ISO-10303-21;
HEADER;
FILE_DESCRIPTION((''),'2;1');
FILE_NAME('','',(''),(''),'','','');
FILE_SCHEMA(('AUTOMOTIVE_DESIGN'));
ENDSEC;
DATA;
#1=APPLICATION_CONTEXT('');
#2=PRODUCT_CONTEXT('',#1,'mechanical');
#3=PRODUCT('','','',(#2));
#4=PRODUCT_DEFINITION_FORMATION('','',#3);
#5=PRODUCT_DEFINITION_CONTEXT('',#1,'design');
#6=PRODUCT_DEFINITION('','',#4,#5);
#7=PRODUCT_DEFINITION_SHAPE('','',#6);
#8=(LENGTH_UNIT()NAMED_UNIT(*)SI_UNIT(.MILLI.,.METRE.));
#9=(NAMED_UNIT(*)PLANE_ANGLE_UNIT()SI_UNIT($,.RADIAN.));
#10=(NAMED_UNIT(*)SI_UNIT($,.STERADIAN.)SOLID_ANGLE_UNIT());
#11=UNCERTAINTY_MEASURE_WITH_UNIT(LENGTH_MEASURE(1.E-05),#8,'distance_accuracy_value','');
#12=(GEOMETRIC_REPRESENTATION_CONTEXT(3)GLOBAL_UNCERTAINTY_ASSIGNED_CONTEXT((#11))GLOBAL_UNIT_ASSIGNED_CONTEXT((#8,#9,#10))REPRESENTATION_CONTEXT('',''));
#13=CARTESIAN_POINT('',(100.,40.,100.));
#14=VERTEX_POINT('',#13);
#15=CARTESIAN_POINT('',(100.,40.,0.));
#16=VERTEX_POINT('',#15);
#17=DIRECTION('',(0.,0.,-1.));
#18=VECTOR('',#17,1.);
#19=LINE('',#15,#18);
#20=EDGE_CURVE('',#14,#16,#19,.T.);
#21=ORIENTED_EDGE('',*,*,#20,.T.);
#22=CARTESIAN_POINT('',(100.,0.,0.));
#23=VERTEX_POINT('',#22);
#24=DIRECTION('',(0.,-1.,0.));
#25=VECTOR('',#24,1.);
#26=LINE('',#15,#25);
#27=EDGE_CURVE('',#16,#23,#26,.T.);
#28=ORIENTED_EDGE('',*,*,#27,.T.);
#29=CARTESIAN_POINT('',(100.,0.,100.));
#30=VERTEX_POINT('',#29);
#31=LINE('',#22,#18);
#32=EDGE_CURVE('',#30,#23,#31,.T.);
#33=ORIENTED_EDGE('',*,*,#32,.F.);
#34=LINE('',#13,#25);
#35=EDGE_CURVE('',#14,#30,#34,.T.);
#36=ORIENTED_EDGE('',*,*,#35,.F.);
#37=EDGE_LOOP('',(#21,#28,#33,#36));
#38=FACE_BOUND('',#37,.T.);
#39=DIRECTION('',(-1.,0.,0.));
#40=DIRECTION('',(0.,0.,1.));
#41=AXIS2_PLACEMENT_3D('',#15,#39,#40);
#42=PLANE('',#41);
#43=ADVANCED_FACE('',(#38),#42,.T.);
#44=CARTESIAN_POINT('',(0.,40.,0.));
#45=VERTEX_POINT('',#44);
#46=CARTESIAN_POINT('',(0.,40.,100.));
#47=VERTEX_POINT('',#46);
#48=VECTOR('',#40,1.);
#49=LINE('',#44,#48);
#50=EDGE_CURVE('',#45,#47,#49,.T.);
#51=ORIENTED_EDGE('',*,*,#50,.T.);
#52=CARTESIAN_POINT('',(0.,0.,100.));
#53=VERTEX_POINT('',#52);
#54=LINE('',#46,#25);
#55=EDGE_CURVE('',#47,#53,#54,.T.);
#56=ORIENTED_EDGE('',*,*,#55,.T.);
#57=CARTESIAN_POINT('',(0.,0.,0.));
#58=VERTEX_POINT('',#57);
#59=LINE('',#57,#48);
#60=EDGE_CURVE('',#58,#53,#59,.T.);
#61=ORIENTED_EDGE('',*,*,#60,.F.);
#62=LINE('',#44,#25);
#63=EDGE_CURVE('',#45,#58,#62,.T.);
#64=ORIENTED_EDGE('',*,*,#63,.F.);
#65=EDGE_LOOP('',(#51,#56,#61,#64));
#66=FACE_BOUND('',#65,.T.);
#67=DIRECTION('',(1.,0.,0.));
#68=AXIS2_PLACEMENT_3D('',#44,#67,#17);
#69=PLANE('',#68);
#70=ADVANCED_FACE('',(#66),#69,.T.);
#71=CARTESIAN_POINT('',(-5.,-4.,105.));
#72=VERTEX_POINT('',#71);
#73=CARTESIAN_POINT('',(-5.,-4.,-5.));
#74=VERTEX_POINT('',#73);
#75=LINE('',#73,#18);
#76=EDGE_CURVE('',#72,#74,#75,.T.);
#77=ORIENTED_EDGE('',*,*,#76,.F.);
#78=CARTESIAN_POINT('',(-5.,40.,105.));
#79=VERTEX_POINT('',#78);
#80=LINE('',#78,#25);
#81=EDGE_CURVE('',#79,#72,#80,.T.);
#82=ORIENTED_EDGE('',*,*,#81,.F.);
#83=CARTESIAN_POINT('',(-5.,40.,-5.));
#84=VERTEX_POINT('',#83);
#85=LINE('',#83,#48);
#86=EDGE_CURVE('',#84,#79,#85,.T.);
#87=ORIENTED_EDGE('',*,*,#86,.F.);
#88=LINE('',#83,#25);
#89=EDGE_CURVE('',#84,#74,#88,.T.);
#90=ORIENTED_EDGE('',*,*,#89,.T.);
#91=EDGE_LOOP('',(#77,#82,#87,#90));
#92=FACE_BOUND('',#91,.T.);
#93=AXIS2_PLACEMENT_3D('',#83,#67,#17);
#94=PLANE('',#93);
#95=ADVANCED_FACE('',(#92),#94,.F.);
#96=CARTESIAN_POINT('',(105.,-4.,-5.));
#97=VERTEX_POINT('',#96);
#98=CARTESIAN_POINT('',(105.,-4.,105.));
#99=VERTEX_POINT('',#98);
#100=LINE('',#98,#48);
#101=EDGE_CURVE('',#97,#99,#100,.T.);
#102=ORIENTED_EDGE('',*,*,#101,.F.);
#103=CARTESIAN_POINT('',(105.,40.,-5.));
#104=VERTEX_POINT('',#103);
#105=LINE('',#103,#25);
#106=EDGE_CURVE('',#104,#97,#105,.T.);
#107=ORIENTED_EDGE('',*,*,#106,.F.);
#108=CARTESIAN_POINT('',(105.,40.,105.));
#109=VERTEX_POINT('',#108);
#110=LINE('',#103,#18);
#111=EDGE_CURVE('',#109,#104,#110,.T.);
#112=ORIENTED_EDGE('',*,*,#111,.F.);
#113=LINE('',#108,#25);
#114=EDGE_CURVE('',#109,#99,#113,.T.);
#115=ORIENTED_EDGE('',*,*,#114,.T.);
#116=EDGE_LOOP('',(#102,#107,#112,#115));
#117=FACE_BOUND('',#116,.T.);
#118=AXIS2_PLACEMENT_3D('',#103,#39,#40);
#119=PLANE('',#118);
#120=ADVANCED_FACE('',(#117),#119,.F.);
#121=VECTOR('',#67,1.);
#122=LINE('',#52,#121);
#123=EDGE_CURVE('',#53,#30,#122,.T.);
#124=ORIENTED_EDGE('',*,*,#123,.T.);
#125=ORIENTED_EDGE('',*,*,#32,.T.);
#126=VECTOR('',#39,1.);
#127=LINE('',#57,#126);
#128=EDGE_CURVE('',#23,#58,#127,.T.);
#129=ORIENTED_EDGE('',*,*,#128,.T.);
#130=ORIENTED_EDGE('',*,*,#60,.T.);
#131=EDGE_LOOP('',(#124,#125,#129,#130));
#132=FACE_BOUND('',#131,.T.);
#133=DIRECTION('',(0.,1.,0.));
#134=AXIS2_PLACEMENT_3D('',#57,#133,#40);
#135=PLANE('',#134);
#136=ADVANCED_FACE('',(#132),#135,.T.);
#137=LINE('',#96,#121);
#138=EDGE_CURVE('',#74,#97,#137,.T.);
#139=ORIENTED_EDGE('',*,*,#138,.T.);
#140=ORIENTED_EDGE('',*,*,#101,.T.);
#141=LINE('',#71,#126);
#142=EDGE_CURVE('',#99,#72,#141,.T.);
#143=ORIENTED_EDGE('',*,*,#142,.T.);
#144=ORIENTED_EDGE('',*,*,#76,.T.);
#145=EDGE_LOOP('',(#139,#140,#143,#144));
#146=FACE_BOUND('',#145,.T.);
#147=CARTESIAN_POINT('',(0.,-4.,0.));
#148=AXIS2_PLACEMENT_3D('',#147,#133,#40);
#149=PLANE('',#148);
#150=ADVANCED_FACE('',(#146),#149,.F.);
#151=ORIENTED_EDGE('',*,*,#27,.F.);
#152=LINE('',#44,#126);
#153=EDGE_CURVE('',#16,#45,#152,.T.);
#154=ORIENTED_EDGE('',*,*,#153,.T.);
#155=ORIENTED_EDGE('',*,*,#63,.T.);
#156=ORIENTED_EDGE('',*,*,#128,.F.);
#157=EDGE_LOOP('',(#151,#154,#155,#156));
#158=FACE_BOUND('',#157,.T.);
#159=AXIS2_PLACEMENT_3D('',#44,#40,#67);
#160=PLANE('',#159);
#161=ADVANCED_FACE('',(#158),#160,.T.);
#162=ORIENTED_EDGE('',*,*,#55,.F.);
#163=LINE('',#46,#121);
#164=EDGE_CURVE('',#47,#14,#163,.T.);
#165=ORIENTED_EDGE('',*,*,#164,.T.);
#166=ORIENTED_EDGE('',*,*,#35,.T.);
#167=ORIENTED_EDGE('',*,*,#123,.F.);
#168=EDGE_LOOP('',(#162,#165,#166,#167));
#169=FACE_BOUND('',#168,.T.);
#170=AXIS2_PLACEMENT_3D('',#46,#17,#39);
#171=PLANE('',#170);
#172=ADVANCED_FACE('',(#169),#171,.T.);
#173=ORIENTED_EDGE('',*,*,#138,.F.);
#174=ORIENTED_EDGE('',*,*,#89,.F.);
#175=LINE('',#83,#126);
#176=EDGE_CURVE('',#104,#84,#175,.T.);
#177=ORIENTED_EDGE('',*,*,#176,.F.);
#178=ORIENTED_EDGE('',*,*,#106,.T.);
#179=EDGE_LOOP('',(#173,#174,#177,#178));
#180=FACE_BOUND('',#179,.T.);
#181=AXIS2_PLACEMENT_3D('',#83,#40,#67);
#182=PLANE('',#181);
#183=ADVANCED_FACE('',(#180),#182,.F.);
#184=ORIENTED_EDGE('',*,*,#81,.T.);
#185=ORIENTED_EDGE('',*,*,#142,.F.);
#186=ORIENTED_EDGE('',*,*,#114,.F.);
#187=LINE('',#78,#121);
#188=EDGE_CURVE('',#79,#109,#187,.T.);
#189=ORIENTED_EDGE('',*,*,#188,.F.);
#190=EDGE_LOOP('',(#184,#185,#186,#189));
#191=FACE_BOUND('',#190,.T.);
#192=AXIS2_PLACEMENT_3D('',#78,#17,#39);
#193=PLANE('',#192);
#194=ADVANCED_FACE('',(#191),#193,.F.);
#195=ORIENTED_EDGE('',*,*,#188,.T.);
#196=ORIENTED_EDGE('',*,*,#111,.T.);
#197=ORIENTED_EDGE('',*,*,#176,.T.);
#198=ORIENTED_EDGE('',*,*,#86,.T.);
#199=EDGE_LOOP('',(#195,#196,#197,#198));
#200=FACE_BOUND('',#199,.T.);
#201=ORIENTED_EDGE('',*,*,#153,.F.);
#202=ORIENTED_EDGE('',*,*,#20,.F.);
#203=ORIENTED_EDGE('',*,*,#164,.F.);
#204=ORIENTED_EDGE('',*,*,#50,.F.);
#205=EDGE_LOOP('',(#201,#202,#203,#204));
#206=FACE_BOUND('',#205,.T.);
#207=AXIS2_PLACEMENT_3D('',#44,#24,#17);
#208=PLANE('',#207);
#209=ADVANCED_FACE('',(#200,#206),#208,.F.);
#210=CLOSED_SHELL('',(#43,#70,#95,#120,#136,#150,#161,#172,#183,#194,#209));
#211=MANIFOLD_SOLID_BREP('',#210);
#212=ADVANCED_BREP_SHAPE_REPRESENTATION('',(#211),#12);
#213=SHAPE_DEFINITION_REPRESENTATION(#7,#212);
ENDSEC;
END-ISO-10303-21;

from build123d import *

# Parameters (mm, degrees)
SKETCH_1_W      = 110
SKETCH_1_H      = 110
SKETCH_1_W_2    = 100
SKETCH_1_H_2    = 100
EXTRUDE_1_DEPTH = 40
SKETCH_2_W      = 110
SKETCH_2_H      = 110
EXTRUDE_2_DEPTH = 4


with BuildPart() as part:
    # 草图1 → 凸台-拉伸1 (new body)
    with BuildSketch(Plane(origin=(0, 0, 0), x_dir=(1, 0, 0), z_dir=(0, 1, 0))):
        with Locations((50, -50)):
            Rectangle(SKETCH_1_W, SKETCH_1_H)
        with Locations((50, -50)):
            Rectangle(SKETCH_1_W_2, SKETCH_1_H_2, mode=Mode.SUBTRACT)
    extrude(amount=EXTRUDE_1_DEPTH)

    # 草图2 → 凸台-拉伸2 (add)
    with BuildSketch(Plane.XZ):
        with Locations((50, 50)):
            Rectangle(SKETCH_2_W, SKETCH_2_H)
    extrude(amount=EXTRUDE_2_DEPTH)


solid = part.part
